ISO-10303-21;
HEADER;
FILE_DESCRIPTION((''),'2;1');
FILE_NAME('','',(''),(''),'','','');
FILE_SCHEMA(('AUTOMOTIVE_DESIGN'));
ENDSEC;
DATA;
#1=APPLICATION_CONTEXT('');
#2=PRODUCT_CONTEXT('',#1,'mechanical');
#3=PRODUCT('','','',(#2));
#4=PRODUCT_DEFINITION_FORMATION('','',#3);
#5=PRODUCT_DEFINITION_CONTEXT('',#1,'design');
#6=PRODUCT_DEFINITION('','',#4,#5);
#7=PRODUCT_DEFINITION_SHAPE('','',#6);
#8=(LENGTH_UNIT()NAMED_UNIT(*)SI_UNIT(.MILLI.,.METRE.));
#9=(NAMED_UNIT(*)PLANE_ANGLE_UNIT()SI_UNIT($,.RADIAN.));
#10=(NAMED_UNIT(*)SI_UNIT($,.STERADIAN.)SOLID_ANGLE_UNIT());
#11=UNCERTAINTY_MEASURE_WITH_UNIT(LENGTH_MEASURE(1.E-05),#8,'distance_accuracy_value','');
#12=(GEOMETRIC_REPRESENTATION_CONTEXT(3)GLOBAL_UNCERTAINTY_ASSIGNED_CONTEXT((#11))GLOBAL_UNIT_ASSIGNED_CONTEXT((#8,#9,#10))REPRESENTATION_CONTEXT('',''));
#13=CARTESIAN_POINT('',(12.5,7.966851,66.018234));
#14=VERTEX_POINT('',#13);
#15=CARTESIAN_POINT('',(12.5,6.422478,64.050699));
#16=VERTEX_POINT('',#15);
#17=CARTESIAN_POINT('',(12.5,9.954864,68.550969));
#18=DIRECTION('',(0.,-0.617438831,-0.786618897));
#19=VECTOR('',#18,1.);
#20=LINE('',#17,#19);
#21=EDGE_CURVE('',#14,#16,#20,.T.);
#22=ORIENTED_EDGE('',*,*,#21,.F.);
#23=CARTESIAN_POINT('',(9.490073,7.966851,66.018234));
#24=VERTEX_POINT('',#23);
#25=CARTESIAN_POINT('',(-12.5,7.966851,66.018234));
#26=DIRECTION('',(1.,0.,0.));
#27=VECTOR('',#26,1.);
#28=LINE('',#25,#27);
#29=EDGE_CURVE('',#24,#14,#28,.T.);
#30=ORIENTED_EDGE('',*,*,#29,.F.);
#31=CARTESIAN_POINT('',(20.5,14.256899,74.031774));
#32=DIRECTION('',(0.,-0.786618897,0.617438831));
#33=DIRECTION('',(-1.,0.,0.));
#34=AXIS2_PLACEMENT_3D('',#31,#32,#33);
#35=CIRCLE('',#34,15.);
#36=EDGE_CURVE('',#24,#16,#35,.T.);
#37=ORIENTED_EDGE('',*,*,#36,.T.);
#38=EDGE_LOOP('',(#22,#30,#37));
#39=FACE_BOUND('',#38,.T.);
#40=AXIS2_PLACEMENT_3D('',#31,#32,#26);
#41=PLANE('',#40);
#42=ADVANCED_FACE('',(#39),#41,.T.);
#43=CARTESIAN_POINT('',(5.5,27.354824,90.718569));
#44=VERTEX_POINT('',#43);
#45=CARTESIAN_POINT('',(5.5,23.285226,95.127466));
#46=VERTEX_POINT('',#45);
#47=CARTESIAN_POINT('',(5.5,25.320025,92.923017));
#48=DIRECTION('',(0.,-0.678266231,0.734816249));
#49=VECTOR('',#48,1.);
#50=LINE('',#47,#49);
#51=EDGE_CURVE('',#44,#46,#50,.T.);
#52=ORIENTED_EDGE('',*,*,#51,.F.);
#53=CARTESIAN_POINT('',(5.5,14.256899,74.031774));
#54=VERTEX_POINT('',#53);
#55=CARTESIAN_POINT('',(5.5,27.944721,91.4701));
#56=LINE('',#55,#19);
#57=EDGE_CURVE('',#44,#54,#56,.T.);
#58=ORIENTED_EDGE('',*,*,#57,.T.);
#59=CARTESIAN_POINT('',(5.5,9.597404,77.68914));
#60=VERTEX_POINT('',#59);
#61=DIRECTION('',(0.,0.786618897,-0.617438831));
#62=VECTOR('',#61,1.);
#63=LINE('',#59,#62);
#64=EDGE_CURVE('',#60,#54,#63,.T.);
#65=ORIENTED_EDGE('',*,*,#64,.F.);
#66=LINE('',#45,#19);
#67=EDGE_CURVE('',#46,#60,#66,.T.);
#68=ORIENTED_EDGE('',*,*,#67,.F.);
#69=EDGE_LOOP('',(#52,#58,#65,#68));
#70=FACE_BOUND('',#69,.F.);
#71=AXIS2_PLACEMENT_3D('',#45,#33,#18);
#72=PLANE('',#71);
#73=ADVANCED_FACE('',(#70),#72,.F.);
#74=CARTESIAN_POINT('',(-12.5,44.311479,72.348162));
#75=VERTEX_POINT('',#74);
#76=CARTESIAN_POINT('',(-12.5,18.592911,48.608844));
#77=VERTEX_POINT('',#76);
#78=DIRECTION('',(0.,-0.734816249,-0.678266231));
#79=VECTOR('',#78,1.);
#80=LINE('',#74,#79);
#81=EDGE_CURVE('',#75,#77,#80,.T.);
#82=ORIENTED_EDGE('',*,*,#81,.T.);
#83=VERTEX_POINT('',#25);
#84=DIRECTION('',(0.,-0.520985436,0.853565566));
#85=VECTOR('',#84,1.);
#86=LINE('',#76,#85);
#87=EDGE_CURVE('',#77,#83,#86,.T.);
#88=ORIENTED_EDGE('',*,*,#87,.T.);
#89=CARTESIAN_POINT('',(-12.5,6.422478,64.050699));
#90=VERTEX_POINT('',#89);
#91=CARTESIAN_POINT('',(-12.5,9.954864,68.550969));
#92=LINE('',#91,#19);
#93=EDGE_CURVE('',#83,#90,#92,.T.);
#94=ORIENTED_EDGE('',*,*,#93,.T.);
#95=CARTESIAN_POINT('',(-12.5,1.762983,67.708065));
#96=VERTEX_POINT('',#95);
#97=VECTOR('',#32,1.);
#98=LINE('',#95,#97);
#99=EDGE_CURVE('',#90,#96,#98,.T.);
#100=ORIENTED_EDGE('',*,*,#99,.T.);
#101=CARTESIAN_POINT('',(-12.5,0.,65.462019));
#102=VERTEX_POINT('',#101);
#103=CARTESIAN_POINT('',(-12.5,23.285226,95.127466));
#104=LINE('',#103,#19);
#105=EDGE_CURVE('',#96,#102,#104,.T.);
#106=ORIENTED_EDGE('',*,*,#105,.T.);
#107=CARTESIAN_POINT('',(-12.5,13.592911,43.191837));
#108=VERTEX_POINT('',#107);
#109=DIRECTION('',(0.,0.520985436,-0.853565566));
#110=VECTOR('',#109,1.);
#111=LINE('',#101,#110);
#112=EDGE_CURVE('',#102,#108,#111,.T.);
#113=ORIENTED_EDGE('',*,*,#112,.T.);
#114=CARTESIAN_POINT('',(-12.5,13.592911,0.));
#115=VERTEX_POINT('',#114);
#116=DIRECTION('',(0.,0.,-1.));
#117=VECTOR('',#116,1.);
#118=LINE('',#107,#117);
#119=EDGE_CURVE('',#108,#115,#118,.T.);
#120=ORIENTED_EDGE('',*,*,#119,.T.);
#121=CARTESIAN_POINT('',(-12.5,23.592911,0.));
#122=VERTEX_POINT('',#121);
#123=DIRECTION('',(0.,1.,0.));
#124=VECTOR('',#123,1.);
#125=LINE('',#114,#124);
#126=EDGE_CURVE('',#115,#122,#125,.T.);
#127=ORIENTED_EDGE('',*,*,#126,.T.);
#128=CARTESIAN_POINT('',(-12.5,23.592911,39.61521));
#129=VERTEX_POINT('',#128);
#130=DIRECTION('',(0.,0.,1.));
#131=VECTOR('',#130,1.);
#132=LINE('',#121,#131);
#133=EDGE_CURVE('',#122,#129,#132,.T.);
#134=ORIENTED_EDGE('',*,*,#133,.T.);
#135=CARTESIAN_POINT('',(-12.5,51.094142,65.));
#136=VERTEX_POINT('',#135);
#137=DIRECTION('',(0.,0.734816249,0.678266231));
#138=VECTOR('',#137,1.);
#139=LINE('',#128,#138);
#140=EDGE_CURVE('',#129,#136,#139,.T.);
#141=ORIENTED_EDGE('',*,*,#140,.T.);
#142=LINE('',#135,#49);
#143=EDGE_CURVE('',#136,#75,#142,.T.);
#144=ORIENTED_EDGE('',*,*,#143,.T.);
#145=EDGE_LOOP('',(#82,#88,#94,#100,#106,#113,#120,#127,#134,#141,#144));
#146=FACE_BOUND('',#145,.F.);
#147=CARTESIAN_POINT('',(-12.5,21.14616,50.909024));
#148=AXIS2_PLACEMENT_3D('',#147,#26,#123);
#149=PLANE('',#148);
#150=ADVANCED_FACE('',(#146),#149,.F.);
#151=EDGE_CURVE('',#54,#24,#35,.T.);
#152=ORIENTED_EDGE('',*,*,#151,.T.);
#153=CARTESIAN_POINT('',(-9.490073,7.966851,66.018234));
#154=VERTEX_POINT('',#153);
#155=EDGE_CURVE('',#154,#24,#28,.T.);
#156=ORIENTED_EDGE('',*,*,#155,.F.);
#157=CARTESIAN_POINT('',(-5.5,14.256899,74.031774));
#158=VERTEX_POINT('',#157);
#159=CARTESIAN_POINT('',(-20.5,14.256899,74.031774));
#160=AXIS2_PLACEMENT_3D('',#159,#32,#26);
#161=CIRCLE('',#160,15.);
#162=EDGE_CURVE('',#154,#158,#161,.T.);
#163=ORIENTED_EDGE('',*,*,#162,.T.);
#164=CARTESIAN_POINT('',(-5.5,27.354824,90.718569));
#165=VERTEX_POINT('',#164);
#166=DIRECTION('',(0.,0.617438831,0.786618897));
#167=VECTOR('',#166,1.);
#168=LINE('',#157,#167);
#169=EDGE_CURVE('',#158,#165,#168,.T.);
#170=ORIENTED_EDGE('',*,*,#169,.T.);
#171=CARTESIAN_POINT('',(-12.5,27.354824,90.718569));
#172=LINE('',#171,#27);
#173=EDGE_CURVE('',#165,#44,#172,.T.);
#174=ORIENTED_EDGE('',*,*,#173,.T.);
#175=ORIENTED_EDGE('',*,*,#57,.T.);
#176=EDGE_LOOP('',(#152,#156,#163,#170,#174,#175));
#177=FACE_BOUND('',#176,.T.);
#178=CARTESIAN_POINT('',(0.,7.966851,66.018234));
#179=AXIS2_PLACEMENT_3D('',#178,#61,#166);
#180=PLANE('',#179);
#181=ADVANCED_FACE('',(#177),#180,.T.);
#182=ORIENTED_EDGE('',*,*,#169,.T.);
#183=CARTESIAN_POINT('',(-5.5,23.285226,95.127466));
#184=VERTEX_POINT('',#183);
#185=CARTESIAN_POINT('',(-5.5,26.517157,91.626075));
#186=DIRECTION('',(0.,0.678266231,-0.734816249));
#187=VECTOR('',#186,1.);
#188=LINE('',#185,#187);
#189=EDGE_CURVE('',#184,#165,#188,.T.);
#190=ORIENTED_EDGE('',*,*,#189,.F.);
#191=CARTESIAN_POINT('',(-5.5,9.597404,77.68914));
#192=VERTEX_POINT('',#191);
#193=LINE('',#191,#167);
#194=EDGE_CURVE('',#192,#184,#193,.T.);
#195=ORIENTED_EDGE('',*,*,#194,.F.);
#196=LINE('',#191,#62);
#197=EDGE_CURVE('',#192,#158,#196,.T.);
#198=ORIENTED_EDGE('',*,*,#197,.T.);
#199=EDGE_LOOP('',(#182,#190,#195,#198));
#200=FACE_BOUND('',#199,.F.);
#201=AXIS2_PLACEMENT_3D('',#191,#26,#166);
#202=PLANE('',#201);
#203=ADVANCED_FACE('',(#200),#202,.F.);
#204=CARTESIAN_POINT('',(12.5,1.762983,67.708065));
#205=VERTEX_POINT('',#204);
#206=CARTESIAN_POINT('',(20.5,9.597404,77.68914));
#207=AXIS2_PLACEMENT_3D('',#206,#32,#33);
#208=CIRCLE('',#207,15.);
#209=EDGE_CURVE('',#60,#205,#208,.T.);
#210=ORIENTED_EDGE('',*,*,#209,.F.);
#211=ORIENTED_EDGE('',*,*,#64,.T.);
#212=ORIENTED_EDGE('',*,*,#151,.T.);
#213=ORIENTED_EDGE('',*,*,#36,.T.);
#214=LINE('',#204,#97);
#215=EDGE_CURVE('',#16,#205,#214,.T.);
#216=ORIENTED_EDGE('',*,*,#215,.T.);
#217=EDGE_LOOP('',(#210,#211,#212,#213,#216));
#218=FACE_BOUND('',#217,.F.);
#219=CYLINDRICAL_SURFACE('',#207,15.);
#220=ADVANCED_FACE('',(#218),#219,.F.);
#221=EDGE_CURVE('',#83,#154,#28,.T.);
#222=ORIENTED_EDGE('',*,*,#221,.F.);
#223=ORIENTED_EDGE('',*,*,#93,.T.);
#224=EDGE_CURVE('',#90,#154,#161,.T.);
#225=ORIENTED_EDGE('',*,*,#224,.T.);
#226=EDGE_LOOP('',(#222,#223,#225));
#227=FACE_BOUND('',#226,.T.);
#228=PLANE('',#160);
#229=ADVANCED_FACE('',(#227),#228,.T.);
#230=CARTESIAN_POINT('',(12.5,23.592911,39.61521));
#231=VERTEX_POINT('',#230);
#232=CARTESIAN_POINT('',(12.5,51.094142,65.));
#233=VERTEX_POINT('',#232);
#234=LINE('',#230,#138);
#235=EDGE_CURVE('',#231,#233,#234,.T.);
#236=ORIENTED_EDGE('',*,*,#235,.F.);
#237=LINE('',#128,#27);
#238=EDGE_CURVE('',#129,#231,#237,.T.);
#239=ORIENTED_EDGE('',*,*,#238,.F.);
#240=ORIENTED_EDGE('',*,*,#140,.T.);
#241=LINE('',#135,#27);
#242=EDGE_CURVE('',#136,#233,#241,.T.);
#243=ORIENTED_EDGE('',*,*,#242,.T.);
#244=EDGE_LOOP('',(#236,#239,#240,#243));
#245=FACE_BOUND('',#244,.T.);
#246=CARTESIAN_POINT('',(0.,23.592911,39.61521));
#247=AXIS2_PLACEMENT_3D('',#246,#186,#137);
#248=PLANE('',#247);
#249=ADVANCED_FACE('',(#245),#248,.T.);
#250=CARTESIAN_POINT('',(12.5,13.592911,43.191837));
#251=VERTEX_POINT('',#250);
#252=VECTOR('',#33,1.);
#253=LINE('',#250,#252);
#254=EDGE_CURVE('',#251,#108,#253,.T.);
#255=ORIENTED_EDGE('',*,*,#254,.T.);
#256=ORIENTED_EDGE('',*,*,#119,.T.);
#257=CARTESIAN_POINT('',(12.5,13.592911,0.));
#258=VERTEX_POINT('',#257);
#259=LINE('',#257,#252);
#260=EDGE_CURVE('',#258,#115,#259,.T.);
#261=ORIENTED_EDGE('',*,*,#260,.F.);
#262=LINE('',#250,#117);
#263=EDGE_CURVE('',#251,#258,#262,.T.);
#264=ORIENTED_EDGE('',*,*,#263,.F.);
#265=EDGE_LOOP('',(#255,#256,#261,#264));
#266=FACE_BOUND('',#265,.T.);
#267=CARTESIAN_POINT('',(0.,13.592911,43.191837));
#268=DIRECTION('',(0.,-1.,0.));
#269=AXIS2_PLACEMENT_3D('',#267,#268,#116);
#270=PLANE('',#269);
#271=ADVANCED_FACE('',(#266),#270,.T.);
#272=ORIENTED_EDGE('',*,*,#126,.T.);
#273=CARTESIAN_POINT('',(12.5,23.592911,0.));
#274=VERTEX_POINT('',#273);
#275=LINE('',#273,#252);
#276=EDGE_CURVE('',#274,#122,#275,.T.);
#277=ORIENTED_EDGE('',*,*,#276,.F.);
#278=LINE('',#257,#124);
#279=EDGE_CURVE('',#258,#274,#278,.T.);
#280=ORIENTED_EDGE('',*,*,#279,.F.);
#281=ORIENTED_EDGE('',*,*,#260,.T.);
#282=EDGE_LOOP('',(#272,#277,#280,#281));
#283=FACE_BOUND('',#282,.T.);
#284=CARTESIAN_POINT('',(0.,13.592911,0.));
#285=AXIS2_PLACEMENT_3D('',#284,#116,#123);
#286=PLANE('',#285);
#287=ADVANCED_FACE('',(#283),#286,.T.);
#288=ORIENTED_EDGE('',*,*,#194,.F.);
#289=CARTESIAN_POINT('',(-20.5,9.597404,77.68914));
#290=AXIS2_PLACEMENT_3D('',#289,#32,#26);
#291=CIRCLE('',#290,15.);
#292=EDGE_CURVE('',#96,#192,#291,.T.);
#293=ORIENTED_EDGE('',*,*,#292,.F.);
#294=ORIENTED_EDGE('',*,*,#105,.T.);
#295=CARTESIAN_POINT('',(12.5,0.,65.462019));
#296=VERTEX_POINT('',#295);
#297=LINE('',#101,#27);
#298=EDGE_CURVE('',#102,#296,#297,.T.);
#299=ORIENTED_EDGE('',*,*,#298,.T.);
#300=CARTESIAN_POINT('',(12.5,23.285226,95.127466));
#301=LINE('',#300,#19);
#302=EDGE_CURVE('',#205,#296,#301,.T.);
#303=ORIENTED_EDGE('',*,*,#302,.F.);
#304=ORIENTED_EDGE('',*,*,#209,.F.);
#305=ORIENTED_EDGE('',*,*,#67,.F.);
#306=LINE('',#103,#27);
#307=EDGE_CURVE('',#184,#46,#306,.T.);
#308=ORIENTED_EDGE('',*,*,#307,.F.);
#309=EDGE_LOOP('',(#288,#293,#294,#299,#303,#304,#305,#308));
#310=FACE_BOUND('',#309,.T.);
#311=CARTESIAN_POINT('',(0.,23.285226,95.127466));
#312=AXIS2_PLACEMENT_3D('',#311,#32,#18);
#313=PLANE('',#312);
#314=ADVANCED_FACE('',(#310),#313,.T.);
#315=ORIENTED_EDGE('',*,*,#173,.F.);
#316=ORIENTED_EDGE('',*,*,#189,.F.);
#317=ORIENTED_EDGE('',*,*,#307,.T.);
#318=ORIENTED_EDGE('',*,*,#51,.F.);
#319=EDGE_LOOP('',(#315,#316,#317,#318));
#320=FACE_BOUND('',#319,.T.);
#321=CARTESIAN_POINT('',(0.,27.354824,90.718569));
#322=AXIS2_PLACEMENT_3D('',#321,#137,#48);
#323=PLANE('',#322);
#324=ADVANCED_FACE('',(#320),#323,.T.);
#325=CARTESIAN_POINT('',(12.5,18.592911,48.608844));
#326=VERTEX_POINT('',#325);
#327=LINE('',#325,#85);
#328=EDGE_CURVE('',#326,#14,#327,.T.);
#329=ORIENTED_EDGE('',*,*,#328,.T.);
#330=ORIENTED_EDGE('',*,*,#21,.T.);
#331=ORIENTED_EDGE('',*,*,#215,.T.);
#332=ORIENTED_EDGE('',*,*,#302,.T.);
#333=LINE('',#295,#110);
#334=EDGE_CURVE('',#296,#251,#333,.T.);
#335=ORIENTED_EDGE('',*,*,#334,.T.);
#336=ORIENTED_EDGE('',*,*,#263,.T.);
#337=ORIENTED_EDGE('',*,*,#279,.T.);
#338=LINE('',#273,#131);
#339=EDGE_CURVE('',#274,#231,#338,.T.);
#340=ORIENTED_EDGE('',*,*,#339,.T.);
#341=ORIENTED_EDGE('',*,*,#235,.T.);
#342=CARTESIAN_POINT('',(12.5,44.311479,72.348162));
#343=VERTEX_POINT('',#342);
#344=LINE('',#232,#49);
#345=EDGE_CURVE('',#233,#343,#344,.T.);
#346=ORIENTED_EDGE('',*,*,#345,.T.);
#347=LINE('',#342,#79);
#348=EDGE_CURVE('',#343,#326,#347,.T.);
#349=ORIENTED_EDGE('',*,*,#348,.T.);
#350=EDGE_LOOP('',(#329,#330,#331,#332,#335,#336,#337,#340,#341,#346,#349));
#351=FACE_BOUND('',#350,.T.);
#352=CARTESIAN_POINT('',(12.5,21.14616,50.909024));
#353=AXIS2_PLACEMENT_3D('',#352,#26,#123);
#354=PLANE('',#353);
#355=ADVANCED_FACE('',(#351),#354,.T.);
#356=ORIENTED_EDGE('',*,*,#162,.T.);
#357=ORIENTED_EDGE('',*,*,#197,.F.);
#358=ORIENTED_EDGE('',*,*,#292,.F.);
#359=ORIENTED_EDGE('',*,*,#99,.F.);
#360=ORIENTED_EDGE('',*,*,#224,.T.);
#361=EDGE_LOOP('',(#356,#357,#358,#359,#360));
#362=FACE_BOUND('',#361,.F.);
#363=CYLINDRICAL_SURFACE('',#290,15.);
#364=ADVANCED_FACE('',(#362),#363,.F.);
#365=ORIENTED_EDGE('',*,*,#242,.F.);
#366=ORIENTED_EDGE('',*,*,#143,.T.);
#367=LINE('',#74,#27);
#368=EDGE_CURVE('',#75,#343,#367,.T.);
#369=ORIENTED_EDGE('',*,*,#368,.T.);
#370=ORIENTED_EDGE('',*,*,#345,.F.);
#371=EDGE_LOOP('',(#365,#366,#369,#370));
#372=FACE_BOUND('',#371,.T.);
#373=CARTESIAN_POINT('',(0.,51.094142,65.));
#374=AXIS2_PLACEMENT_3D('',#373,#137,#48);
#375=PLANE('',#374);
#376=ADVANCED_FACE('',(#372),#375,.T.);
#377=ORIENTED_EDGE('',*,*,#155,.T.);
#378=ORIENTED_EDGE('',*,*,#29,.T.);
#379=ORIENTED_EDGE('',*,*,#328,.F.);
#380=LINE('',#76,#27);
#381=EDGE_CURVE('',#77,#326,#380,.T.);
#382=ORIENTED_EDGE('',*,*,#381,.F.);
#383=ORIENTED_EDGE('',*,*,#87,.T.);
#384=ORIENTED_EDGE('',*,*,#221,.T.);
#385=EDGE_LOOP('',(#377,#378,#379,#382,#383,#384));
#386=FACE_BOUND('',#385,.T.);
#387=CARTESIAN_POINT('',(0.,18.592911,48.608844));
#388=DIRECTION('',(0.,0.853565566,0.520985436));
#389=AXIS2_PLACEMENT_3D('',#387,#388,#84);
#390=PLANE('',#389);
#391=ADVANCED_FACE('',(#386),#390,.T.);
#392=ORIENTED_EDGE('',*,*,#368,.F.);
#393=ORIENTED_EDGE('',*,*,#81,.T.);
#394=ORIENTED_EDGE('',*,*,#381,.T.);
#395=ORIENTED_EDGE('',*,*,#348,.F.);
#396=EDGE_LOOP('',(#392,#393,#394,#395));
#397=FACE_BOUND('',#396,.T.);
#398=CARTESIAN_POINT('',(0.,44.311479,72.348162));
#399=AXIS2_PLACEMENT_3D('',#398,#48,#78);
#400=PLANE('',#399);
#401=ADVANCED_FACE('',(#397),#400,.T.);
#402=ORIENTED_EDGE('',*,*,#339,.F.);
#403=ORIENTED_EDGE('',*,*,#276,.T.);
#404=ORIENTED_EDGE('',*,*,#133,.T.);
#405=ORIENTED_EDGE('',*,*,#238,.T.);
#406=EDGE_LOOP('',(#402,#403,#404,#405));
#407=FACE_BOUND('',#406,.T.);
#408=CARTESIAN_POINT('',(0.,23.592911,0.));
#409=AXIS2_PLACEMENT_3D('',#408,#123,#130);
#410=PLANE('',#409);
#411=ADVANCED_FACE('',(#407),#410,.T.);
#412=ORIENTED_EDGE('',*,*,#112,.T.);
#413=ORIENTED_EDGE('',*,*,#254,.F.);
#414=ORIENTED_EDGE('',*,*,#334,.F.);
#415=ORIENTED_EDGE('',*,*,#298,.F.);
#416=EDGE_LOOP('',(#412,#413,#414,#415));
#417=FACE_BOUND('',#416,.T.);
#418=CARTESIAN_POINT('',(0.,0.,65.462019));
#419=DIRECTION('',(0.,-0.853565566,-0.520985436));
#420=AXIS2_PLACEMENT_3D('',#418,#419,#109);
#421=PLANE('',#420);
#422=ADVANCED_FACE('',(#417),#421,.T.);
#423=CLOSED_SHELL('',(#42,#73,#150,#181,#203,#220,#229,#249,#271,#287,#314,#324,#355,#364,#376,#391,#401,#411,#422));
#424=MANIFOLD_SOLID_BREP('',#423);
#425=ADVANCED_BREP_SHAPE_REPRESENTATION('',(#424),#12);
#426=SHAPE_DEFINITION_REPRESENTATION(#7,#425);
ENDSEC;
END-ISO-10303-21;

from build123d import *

# Parameters (mm, degrees)
F1_DEPTH = 12.5
F2_R     = 15
F3_DEPTH = 5.9234467243


with BuildPart() as f1:
    # F0 (on Right) → F1 (new body, symmetric)
    with BuildSketch(Plane.YZ):
        Polygon((23.5929106708, 0), (23.5929106708, 39.6152098016), (51.0941416978, 65), (44.3114793878, 72.3481624906), (18.5929106708, 48.6088444054), (7.9668510469, 66.0182343106), (27.3548236127, 90.718568717), (23.2852262267, 95.1274662114), (0, 65.4620191113), (13.5929106708, 43.1918371068), (13.5929106708, 0), align=None)
    extrude(amount=F1_DEPTH, both=True)

    # F2 (on face) → F3 (cut, through all)
    with BuildSketch(Plane(origin=(0, -31.7941860417, 24.9561320338), x_dir=(1, 0, 0), z_dir=(0, -0.7866188975, 0.6174388311))):
        with Locations((-20.5, 67.0375549689)):
            Circle(F2_R)
        with BuildLine():
            ThreePointArc((35.5, 67.0375549689), (20.5, 82.0375549689), (5.5, 67.0375549689))
            ThreePointArc((5.5, 67.0375549689), (20.5, 52.0375549689), (35.5, 67.0375549689))
        make_face()
        with BuildLine():
            ThreePointArc((-12.5, 79.7261325093), (-7.3660744634, 74.283243342), (-5.5, 67.0375549689))
            Line((-5.5, 67.0375549689), (-5.5, 89.206265453))
            Line((-5.5, 89.206265453), (-12.5, 89.206265453))
            Line((-12.5, 89.206265453), (-12.5, 79.7261325093))
        make_face()
        with BuildLine():
            Line((12.5, 89.206265453), (5.5, 89.206265453))
            Line((5.5, 89.206265453), (5.5, 67.0375549689))
            ThreePointArc((5.5, 67.0375549689), (7.3660744634, 74.283243342), (12.5, 79.7261325093))
            Line((12.5, 79.7261325094), (12.5, 89.206265453))
        make_face()
    extrude(amount=-F3_DEPTH, mode=Mode.SUBTRACT)


solid = f1.part
